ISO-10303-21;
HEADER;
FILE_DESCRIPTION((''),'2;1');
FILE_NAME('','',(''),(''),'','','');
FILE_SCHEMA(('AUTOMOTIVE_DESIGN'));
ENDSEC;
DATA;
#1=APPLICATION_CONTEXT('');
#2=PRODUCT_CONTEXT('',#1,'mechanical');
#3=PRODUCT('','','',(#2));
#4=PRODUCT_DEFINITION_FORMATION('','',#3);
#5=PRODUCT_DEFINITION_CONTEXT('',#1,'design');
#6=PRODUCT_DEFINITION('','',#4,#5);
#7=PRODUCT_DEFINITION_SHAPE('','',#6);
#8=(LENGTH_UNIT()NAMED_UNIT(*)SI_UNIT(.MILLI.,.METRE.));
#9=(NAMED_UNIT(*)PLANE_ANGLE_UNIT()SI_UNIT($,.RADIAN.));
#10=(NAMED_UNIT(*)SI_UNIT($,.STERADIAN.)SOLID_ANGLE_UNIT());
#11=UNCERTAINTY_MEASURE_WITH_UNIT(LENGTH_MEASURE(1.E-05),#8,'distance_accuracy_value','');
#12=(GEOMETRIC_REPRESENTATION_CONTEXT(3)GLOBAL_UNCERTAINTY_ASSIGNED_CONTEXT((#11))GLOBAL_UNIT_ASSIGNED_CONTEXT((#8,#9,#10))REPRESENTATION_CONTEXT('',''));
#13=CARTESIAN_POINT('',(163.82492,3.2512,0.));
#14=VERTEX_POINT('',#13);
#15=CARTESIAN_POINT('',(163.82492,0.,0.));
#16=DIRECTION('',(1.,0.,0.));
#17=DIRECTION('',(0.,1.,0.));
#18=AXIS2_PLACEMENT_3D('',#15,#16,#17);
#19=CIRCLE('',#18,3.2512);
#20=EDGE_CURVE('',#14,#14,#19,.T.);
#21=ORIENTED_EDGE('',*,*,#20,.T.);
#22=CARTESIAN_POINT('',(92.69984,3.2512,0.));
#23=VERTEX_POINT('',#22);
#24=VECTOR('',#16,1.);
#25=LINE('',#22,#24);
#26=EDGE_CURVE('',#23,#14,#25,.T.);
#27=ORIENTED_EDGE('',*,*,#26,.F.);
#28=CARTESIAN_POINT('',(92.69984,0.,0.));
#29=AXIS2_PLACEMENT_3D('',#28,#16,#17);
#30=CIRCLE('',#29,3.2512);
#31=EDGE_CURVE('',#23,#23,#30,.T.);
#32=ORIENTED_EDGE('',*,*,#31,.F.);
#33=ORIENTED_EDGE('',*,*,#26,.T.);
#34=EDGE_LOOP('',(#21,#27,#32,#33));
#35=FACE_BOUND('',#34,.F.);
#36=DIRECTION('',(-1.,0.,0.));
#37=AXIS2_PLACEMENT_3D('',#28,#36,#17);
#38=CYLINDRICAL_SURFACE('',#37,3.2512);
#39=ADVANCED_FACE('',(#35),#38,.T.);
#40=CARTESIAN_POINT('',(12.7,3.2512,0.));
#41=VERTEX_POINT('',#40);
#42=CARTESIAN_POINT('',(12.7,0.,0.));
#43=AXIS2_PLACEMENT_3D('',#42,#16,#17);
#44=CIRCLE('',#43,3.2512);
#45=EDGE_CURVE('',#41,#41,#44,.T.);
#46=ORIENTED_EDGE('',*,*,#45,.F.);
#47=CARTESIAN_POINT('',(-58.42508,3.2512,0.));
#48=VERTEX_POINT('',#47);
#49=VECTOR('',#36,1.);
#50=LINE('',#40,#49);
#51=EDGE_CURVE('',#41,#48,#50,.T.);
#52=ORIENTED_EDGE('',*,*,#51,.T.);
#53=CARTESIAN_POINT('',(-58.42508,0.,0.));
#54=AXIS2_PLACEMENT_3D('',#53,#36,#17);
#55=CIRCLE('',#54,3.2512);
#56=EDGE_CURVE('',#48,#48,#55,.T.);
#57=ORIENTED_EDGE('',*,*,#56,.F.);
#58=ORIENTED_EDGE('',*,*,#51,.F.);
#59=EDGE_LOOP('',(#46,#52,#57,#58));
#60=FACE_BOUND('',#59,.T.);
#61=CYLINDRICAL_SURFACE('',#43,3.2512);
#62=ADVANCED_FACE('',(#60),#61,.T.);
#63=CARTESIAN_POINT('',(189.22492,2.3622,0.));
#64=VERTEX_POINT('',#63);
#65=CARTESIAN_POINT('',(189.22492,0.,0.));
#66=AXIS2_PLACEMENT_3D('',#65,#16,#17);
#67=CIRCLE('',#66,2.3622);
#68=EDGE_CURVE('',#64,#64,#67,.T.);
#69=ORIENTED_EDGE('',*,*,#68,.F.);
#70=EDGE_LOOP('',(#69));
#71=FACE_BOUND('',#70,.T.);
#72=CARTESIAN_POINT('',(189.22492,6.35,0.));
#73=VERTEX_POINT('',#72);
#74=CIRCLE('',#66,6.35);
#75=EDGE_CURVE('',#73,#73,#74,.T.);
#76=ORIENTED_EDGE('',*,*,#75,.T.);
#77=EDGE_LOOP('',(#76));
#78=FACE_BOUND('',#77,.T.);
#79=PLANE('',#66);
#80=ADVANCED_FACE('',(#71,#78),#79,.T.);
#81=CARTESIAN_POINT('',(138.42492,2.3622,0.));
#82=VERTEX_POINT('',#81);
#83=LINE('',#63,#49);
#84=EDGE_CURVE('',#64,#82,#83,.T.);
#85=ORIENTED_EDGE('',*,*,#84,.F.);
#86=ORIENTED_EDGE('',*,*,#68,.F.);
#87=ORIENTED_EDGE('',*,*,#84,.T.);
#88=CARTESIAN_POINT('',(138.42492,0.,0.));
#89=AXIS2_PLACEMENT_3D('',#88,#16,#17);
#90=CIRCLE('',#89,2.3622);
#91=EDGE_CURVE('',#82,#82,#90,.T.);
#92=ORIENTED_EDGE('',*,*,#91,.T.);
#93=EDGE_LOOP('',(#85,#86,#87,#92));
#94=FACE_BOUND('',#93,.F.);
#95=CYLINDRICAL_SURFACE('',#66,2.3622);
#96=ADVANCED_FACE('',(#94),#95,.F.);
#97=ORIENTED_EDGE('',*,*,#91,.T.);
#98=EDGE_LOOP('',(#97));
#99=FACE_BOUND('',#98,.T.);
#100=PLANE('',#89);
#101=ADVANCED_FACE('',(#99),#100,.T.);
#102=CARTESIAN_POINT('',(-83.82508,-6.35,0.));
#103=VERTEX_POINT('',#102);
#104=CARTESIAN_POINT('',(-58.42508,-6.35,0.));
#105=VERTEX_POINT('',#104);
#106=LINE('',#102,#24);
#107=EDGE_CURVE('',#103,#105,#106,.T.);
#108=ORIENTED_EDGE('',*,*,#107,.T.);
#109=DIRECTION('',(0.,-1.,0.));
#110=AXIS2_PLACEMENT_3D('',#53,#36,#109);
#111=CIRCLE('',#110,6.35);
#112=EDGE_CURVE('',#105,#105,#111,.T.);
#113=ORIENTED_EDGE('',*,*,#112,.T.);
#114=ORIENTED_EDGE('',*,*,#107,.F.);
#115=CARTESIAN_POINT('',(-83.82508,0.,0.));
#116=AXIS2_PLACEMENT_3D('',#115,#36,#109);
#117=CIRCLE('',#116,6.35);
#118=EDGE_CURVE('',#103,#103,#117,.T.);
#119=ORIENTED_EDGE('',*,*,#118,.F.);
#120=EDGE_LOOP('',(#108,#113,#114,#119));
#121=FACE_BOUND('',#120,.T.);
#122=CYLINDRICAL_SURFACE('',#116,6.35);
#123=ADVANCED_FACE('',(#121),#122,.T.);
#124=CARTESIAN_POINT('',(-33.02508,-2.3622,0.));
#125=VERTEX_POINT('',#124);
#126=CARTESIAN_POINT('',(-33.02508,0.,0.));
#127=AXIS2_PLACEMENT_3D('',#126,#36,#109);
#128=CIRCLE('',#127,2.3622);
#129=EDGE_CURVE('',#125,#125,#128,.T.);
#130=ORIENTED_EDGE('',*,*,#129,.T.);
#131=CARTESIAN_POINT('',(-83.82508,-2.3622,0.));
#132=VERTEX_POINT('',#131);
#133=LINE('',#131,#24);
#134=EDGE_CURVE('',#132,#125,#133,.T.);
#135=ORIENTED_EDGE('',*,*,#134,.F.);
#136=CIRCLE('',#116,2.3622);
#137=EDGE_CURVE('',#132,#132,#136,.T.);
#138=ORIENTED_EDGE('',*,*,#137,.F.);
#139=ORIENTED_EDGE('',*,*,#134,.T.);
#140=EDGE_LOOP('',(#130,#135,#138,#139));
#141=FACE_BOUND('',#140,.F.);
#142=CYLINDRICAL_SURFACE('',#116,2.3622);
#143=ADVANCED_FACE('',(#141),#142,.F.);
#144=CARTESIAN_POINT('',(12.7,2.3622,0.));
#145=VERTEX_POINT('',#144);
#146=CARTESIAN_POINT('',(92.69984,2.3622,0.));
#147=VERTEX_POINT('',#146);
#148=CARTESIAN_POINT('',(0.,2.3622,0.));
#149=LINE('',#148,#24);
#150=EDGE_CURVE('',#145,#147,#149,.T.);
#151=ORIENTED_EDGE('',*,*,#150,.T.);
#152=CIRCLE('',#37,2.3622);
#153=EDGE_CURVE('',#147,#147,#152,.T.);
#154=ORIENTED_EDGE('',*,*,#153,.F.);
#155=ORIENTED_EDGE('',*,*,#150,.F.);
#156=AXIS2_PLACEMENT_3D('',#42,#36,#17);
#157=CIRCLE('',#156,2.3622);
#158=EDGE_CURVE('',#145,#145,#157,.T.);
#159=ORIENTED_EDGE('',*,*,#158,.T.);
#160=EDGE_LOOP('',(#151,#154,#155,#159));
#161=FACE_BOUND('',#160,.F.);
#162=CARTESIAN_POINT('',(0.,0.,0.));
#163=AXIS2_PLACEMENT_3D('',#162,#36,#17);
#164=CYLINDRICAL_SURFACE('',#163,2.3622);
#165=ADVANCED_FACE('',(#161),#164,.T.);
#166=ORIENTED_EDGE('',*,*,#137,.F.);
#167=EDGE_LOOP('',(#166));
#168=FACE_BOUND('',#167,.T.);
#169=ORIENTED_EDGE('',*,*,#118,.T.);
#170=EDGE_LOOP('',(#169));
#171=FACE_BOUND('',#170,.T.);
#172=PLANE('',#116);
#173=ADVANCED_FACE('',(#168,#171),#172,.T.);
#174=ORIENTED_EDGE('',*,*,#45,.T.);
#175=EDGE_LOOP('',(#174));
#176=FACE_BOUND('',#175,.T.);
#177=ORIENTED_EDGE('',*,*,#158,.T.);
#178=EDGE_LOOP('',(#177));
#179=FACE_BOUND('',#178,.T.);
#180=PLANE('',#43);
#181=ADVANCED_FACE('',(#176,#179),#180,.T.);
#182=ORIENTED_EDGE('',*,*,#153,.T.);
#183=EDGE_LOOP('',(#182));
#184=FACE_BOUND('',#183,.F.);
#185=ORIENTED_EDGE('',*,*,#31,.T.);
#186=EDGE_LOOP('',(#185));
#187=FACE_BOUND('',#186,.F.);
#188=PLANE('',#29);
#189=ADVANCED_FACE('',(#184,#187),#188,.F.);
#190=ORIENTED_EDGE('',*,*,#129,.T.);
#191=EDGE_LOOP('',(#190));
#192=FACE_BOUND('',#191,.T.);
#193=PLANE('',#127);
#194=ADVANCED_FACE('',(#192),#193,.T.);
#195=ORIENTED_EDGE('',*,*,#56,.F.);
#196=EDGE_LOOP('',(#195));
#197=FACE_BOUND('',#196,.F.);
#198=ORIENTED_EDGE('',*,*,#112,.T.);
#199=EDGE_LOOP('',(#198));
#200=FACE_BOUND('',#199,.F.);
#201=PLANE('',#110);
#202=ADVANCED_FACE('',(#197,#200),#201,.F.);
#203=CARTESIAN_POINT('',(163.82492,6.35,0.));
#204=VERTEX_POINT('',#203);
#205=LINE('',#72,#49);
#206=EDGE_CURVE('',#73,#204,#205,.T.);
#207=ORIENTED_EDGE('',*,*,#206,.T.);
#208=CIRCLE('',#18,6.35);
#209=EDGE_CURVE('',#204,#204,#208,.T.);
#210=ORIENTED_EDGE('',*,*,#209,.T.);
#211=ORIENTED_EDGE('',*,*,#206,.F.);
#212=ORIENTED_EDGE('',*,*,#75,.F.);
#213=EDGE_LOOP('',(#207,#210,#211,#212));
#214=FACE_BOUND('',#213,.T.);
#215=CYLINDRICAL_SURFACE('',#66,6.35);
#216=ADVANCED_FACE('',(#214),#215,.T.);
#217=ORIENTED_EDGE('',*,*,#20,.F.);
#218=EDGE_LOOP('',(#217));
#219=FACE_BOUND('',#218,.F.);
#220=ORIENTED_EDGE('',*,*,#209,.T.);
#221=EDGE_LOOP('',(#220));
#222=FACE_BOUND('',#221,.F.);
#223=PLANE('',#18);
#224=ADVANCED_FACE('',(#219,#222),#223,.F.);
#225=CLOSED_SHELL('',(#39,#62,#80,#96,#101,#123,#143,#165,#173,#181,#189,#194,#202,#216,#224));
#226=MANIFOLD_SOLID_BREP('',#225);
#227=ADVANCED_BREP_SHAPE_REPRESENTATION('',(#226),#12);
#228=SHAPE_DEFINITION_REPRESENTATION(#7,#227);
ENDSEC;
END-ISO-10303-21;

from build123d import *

# Parameters (mm, degrees)
F0_R      = 2.3622
F1_DEPTH  = 105.39984
F3_R      = 3.2512
F4_DEPTH  = 96.52508
F6_R      = 3.2512
F7_DEPTH  = 96.52508
F8_R      = 6.35
F8_R_2    = 3.2512
F9_DEPTH  = 25.4
F10_R     = 2.3622
F11_DEPTH = 50.8
F12_R     = 6.35
F12_R_2   = 3.2512
F13_DEPTH = 25.4
F14_R     = 2.3622
F15_DEPTH = 50.8


with BuildPart() as f1:
    # F0 (on Right) → F1 (new body)
    with BuildSketch(Plane.YZ):
        Circle(F0_R)
    extrude(amount=F1_DEPTH)

    # F3 (on offset) → F4 (join)
    with BuildSketch(Plane.YZ.offset(12.7)):
        Circle(F3_R)
    extrude(amount=-F4_DEPTH)

    # F6 (on offset) → F7 (join)
    with BuildSketch(Plane.YZ.offset(92.69984)):
        Circle(F6_R)
    extrude(amount=F7_DEPTH)

    # F8 (on face) → F9 (join)
    with BuildSketch(Plane(origin=(-83.82508, 0, 0), x_dir=(0, -1, 0), z_dir=(-1, 0, 0))):
        Circle(F8_R)
        Circle(F8_R_2, mode=Mode.SUBTRACT)
    extrude(amount=-F9_DEPTH)

    # F10 (on face) → F11 (cut)
    with BuildSketch(Plane(origin=(-83.82508, 0, 0), x_dir=(0, -1, 0), z_dir=(-1, 0, 0))):
        Circle(F10_R)
    extrude(amount=-F11_DEPTH, mode=Mode.SUBTRACT)

    # F12 (on face) → F13 (join)
    with BuildSketch(Plane.YZ.offset(189.22492)):
        Circle(F12_R)
        Circle(F12_R_2, mode=Mode.SUBTRACT)
    extrude(amount=-F13_DEPTH)

    # F14 (on face) → F15 (cut)
    with BuildSketch(Plane.YZ.offset(189.22492)):
        Circle(F14_R)
    extrude(amount=-F15_DEPTH, mode=Mode.SUBTRACT)


solid = f1.part
